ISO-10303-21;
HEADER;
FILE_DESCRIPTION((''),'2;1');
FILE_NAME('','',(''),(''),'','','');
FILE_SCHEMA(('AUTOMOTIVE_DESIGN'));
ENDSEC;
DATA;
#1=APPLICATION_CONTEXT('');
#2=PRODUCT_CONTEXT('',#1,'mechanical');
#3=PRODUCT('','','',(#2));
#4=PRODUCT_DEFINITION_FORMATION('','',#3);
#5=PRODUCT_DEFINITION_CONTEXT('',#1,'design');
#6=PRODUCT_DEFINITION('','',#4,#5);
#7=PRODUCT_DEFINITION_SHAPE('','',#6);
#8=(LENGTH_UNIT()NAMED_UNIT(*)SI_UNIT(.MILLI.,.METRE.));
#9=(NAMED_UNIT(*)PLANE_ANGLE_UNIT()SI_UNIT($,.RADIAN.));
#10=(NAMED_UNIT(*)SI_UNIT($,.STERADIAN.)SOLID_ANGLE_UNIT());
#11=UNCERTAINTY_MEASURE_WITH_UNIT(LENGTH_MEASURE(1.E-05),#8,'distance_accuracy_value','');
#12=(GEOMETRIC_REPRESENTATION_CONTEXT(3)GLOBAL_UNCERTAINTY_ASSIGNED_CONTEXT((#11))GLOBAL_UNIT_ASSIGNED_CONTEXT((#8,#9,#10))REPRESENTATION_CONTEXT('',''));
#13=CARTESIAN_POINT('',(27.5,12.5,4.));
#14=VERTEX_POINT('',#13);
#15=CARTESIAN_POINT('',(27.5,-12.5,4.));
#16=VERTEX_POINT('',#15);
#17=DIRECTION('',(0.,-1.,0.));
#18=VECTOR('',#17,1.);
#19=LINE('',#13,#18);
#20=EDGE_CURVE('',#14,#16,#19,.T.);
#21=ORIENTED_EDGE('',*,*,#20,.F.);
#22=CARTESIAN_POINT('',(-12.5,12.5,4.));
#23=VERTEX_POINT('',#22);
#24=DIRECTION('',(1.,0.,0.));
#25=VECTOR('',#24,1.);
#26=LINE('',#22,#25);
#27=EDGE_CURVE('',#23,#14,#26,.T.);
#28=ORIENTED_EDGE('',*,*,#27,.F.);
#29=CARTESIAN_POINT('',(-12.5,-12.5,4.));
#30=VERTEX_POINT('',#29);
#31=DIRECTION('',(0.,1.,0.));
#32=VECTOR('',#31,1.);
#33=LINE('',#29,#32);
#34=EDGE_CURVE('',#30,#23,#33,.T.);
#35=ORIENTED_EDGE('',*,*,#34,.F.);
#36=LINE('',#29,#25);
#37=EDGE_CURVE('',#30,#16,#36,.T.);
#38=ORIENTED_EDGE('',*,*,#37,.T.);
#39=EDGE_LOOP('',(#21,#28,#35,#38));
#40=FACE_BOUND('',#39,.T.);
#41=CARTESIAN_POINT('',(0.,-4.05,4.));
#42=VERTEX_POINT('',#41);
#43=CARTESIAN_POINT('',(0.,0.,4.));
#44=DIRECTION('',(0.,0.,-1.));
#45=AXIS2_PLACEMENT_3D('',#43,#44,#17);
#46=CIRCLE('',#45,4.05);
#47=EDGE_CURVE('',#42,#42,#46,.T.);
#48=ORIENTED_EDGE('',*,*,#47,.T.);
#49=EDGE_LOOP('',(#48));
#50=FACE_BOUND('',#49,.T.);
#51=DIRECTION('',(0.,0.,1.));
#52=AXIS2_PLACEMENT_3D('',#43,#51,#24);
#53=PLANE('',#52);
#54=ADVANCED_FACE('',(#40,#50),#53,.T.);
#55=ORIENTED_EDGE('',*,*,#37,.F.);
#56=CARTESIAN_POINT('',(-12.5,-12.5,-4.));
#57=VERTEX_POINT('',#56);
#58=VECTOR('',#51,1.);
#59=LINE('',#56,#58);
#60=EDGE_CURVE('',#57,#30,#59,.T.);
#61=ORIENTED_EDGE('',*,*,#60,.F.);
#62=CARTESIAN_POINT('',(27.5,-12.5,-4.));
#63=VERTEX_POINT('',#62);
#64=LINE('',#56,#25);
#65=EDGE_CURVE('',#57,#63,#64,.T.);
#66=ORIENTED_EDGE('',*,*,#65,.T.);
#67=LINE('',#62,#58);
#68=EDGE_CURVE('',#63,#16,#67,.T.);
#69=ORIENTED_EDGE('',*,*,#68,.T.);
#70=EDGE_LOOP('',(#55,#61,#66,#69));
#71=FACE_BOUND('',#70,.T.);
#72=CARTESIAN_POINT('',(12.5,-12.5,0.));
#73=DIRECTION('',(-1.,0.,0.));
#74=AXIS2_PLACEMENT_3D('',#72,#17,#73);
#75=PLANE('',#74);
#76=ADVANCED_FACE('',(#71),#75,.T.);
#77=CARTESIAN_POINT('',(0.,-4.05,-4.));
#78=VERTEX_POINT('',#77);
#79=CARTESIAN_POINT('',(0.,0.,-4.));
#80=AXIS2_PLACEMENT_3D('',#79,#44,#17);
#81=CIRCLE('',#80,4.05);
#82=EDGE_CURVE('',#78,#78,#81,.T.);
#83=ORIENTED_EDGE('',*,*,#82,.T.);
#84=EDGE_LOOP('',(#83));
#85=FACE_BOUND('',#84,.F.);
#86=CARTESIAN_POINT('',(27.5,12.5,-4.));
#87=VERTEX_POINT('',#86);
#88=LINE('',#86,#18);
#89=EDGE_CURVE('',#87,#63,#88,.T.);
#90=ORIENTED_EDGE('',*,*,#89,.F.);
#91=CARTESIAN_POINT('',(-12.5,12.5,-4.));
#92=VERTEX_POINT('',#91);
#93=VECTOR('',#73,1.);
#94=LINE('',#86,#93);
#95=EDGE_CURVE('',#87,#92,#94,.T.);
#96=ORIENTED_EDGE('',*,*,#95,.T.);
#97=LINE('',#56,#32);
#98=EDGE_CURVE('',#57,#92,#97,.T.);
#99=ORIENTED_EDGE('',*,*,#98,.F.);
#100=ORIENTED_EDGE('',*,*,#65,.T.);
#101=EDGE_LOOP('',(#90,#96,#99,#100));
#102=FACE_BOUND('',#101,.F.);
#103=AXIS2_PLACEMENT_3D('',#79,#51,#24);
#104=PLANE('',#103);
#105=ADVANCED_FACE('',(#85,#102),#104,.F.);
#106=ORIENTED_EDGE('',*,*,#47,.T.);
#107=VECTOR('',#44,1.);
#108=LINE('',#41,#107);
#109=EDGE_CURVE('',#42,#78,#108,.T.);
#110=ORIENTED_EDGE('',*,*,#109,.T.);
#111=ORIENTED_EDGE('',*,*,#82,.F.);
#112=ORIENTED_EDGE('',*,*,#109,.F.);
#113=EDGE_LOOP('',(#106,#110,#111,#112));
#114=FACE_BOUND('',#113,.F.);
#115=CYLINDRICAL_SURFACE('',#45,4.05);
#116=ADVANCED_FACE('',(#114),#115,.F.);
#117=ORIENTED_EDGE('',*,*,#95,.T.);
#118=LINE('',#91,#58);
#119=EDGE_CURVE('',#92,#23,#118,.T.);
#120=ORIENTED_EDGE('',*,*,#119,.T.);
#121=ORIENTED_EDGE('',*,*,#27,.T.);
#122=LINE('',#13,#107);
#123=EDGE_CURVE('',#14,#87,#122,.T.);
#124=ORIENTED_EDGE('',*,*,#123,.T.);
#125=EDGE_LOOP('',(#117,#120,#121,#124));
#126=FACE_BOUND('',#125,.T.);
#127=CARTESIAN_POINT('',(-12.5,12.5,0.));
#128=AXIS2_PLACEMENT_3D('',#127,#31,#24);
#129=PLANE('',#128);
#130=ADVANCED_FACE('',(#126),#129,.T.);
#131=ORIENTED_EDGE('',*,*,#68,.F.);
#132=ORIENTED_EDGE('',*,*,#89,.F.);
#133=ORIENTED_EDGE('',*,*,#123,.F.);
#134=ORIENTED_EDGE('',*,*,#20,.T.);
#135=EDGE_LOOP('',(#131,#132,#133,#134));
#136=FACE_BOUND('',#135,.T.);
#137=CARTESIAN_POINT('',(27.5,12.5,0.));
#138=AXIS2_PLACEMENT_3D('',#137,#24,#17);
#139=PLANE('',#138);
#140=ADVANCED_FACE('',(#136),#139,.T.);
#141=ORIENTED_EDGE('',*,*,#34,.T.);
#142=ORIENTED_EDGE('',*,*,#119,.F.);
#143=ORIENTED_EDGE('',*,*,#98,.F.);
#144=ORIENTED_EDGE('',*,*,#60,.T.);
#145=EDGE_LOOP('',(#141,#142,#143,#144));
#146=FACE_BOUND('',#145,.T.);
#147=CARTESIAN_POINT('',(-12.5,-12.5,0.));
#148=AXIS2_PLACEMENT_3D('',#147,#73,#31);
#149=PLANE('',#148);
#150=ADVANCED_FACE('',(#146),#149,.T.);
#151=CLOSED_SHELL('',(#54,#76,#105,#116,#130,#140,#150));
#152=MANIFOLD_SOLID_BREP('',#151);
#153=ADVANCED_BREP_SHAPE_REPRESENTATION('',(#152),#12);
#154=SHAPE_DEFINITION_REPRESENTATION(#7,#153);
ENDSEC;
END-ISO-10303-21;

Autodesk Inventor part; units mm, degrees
ref_plane "YZ Plane" through (0, 0, 0) normal (1, 0, 0) x (0, 1, 0)
ref_plane "XZ Plane" through (0, 0, 0) normal (0, 1, 0) x (-1, 0, 0)
ref_plane "XY Plane" through (0, 0, 0) normal (0, 0, 1) x (1, 0, 0)
sketch "Sketch1" plane through (0, 0, 0) normal (0, 0, 1) x (1, 0, 0)
  line L0 (-12.5, 12.5) -> (12.5, 12.5)
  line L1 (27.5, 12.5) -> (27.5, -12.5)
  line L2 (12.5, -12.5) -> (-12.5, -12.5)
  line L3 (-12.5, -12.5) -> (-12.5, 12.5)
  line L4 (-12.5, 12.5) -> (12.5, -12.5) construction
  line L5 (12.5, 12.5) -> (-12.5, -12.5) construction
  line L6 (12.5, 12.5) -> (12.5, -12.5) construction
  line L7 (12.5, 12.5) -> (27.5, 12.5)
  line L8 (12.5, -12.5) -> (27.5, -12.5)
  point P0 (0, 0)
  point P1 (0, 0)
  dimension "d0" = 25
  dimension "d1" = 15
extrude "Extrusion1" add sketch "Sketch1" along normal mid plane 8
sketch "Sketch2" plane through (0, 0, 4) normal (0, 0, 1) x (1, 0, 0)
  point P0 (0, 0)
hole "Hole1" at (0, 0, 4) direction (0, 0, -1) diameter 8.1 end through all
properties part number "BoltRelease" material "ABS Plastic"
